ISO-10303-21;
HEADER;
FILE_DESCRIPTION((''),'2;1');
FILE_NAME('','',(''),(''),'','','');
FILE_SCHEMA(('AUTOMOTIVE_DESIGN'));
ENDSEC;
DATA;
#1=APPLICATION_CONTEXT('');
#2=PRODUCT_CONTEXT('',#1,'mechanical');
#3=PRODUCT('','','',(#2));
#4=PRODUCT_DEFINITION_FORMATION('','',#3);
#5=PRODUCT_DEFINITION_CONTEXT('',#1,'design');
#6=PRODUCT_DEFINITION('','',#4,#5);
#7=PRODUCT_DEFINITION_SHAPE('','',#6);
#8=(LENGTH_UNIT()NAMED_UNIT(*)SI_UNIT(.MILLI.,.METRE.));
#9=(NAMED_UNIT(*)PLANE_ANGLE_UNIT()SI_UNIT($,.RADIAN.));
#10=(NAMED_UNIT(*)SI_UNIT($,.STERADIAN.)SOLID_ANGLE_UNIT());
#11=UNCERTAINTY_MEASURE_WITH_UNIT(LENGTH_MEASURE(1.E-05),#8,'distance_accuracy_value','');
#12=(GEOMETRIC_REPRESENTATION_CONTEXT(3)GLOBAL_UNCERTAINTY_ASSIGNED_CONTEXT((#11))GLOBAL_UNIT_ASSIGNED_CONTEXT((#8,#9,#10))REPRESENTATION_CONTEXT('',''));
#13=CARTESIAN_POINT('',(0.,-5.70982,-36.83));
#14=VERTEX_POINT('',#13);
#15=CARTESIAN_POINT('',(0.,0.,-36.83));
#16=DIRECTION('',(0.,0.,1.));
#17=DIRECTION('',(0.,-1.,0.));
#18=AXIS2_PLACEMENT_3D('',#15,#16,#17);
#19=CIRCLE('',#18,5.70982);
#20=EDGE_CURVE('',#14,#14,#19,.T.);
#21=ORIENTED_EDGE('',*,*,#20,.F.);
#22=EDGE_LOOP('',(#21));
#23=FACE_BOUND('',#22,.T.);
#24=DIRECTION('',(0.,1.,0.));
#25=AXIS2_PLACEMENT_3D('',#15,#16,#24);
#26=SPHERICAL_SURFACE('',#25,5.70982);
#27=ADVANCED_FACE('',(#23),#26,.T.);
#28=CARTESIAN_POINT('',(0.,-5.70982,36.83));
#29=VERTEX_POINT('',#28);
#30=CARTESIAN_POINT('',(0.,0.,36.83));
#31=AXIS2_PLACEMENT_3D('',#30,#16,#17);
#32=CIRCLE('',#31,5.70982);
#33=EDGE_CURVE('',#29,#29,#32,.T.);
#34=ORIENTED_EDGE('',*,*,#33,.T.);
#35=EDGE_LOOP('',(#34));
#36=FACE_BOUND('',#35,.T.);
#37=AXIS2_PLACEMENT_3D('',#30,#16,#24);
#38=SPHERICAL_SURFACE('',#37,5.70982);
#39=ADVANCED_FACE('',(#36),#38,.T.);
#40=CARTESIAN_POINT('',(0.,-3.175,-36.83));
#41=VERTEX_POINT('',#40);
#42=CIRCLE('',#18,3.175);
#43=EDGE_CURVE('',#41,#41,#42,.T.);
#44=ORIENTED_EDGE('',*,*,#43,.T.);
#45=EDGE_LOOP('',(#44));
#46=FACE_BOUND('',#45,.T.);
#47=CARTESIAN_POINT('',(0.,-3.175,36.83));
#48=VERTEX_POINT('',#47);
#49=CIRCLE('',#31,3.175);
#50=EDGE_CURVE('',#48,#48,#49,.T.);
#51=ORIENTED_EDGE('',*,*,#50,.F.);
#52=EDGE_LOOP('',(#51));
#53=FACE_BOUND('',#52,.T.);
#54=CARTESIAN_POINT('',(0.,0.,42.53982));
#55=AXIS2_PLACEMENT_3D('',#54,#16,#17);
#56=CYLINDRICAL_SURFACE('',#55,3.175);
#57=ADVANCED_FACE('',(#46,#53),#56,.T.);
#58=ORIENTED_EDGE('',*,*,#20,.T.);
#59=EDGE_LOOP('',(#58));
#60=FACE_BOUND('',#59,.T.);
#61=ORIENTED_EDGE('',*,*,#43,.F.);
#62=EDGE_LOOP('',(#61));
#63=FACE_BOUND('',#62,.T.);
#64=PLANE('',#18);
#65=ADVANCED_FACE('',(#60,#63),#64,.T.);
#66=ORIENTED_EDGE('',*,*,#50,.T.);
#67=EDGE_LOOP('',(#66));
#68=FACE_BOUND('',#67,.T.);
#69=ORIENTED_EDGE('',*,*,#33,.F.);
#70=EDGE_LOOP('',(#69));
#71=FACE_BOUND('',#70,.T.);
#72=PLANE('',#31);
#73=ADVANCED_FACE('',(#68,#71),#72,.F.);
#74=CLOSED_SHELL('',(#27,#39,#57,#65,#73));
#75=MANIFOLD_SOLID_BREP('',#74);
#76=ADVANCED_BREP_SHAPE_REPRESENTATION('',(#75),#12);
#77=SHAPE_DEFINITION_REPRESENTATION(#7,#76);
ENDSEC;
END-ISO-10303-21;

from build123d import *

# Parameters (mm, degrees)
SKETCH2_W = 73.66
SKETCH2_H = 3.175


with BuildPart() as part:
    # Sketch2 → Revolve1 (revolve)
    with BuildSketch(Plane(origin=(0, 0, 0), x_dir=(0, 0, -1), z_dir=(1, 0, 0))):
        with Locations((0, 1.5875)):
            Rectangle(SKETCH2_W, SKETCH2_H)
        with BuildLine():
            ThreePointArc((-36.83, 5.709819934), (-40.867452395, 4.037452395), (-42.539819934, 0))
            Line((-42.539819934, 0), (-36.83, 0))
            Line((-36.83, 0), (-36.83, 3.175))
            Line((-36.83, 3.175), (-36.83, 5.709819934))
        make_face()
        with BuildLine():
            Line((36.83, 3.175), (36.83, 0))
            Line((36.83, 0), (42.539819934, 0))
            ThreePointArc((42.539819934, 0), (40.867452395, 4.037452395), (36.83, 5.709819934))
            Line((36.83, 5.709819934), (36.83, 3.175))
        make_face()
    revolve(axis=Axis((0, 0, 42.539819934), (0, 0, -1)))


solid = part.part
